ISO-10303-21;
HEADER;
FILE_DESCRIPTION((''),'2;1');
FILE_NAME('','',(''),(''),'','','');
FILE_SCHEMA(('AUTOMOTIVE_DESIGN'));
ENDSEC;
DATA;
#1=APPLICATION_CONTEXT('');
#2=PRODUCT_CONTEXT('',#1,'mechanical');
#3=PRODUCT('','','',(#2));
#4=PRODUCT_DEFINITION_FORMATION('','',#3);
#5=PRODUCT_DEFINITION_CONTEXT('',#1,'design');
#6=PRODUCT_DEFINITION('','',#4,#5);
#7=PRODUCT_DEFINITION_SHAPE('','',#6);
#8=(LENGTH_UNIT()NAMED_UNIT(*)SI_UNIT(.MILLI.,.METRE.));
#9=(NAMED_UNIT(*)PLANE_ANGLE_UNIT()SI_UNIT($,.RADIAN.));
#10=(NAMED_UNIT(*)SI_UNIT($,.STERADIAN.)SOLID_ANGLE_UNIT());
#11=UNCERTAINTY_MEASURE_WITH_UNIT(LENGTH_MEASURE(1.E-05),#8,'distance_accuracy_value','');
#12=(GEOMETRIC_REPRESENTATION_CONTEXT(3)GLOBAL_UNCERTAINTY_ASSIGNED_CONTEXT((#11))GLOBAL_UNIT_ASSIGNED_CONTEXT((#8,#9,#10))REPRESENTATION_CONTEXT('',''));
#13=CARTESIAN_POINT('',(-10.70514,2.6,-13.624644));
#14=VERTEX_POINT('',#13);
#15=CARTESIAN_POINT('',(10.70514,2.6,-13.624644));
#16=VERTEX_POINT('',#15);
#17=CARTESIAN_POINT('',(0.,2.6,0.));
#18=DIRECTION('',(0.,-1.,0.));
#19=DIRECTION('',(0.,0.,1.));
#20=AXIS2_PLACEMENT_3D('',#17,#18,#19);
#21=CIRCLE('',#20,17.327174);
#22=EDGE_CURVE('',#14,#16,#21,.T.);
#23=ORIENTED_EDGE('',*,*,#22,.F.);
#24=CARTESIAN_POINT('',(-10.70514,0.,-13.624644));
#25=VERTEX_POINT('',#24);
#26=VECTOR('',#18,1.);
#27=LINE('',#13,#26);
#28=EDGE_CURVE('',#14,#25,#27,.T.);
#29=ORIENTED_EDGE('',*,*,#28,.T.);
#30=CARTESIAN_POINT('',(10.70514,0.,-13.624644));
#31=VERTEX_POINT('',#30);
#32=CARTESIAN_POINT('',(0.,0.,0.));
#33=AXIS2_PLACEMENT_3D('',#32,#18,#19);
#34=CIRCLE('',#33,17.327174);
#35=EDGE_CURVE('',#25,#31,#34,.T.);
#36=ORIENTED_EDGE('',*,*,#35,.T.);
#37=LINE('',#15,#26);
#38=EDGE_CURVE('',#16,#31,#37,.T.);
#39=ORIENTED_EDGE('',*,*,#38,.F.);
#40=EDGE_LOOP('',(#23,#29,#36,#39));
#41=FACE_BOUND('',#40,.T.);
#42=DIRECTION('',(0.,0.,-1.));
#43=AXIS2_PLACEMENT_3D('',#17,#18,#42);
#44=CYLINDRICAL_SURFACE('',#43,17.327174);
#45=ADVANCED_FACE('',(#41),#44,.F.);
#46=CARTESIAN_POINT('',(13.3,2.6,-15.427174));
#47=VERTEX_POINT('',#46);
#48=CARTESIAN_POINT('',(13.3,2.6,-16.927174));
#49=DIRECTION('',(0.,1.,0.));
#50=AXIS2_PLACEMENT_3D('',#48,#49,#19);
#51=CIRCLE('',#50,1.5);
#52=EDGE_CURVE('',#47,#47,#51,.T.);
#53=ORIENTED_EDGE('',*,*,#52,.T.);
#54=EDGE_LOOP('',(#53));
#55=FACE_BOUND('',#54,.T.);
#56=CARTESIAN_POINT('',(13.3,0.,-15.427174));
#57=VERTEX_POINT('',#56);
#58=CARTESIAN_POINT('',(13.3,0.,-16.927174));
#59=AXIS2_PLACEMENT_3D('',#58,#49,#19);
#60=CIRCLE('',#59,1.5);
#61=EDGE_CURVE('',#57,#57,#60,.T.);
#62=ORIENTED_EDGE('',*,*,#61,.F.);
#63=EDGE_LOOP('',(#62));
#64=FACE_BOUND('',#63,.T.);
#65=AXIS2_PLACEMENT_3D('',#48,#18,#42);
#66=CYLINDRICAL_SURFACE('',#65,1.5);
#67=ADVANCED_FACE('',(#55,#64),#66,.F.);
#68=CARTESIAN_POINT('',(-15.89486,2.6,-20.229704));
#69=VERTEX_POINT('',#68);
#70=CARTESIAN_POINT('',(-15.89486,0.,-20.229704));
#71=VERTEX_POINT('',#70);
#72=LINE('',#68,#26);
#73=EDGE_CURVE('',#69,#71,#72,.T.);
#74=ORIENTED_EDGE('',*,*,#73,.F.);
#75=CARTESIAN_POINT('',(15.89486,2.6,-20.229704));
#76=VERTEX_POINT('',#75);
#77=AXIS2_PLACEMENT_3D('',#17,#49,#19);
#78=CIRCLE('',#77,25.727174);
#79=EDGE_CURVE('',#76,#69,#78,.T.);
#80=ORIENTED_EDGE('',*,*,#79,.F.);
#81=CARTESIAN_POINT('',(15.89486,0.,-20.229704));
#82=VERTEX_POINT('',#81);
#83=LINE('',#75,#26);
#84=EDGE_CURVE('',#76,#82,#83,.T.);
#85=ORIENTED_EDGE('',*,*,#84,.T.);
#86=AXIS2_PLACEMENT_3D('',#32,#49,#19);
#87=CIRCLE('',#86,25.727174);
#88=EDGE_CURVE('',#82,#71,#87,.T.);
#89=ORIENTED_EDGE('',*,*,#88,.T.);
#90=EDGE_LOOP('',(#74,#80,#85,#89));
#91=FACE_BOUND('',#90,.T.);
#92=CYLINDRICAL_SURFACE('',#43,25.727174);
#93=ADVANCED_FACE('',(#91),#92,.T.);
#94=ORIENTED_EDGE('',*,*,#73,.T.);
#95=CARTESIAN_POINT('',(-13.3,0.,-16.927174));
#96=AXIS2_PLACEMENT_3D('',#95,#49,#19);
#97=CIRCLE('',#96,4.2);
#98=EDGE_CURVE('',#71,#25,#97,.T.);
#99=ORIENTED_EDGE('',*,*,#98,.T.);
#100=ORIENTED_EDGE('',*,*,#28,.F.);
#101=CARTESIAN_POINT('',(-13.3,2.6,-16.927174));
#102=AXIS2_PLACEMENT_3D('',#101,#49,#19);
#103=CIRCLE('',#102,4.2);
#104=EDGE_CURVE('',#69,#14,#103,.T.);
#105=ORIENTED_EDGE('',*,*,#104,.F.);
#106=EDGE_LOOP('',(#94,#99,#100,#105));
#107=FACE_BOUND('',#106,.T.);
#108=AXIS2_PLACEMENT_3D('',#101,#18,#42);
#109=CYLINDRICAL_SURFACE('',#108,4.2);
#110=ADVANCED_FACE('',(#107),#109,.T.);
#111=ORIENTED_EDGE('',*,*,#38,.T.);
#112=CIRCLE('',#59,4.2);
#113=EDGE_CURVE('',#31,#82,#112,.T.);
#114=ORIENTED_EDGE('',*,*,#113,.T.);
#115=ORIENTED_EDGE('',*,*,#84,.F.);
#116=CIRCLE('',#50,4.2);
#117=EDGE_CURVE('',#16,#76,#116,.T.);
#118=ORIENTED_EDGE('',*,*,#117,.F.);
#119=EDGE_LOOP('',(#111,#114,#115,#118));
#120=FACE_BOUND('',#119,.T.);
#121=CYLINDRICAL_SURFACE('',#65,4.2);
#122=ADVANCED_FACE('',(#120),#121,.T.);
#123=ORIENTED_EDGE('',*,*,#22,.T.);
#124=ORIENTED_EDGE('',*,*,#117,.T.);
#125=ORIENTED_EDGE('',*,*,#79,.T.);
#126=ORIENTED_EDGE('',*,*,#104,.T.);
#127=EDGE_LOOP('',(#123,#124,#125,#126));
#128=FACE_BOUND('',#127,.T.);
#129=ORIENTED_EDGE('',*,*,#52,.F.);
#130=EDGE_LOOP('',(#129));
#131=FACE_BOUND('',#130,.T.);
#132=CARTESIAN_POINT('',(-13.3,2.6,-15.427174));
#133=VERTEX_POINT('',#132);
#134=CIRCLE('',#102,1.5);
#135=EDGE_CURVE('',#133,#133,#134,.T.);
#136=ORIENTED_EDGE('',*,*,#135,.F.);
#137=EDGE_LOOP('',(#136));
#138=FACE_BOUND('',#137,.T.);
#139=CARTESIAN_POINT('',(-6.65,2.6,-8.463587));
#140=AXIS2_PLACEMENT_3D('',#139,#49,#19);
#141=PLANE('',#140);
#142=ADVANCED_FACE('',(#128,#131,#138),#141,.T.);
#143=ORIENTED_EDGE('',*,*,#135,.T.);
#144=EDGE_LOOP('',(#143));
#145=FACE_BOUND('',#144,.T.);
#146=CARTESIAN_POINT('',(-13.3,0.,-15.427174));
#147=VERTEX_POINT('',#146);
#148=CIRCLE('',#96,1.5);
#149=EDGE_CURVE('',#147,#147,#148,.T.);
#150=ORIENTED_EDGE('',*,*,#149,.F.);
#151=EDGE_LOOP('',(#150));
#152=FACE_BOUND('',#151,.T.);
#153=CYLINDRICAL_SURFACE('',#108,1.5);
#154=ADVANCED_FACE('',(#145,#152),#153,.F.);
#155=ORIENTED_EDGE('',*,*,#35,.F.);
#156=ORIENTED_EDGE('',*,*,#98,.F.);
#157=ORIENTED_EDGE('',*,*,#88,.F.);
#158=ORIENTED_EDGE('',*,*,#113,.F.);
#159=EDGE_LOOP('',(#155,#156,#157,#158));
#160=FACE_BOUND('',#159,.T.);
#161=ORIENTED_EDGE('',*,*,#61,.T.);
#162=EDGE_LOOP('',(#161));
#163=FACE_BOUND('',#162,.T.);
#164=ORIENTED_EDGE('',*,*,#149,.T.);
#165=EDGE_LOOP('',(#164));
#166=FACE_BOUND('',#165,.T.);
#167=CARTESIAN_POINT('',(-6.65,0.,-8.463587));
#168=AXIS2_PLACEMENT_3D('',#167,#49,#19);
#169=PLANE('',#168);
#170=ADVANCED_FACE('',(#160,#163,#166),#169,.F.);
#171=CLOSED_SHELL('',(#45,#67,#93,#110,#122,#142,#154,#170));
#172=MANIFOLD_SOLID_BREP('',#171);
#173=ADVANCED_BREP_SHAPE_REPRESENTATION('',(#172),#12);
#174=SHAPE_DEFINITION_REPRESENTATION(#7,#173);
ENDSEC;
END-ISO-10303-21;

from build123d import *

# Parameters (mm, degrees)
CROQUIS1_R              = 1.5
SALIENTE_EXTRUIR1_DEPTH = 2.6


with BuildPart() as part:
    # Croquis1 → Saliente-Extruir1 (new body)
    with BuildSketch(Plane(origin=(0, 0, 0), x_dir=(1, 0, 0), z_dir=(0, 1, 0))):
        with BuildLine():
            ThreePointArc((10.705140116, 13.624644249), (0, 17.327173913), (-10.705140116, 13.624644249))
            ThreePointArc((-10.705140116, 13.624644249), (-16.602529664, 14.332314029), (-15.894859884, 20.229703577))
            ThreePointArc((-15.894859884, 20.229703577), (0, 25.727173913), (15.894859884, 20.229703577))
            ThreePointArc((15.894859884, 20.229703577), (16.602529664, 14.332314029), (10.705140116, 13.624644249))
        make_face()
        with Locations(Location((13.3, 16.927173913, 0), (0, 0, 270))):
            Circle(CROQUIS1_R, mode=Mode.SUBTRACT)
        with Locations(Location((-13.3, 16.927173913, 0), (0, 0, 270))):
            Circle(CROQUIS1_R, mode=Mode.SUBTRACT)
    extrude(amount=SALIENTE_EXTRUIR1_DEPTH)


solid = part.part
